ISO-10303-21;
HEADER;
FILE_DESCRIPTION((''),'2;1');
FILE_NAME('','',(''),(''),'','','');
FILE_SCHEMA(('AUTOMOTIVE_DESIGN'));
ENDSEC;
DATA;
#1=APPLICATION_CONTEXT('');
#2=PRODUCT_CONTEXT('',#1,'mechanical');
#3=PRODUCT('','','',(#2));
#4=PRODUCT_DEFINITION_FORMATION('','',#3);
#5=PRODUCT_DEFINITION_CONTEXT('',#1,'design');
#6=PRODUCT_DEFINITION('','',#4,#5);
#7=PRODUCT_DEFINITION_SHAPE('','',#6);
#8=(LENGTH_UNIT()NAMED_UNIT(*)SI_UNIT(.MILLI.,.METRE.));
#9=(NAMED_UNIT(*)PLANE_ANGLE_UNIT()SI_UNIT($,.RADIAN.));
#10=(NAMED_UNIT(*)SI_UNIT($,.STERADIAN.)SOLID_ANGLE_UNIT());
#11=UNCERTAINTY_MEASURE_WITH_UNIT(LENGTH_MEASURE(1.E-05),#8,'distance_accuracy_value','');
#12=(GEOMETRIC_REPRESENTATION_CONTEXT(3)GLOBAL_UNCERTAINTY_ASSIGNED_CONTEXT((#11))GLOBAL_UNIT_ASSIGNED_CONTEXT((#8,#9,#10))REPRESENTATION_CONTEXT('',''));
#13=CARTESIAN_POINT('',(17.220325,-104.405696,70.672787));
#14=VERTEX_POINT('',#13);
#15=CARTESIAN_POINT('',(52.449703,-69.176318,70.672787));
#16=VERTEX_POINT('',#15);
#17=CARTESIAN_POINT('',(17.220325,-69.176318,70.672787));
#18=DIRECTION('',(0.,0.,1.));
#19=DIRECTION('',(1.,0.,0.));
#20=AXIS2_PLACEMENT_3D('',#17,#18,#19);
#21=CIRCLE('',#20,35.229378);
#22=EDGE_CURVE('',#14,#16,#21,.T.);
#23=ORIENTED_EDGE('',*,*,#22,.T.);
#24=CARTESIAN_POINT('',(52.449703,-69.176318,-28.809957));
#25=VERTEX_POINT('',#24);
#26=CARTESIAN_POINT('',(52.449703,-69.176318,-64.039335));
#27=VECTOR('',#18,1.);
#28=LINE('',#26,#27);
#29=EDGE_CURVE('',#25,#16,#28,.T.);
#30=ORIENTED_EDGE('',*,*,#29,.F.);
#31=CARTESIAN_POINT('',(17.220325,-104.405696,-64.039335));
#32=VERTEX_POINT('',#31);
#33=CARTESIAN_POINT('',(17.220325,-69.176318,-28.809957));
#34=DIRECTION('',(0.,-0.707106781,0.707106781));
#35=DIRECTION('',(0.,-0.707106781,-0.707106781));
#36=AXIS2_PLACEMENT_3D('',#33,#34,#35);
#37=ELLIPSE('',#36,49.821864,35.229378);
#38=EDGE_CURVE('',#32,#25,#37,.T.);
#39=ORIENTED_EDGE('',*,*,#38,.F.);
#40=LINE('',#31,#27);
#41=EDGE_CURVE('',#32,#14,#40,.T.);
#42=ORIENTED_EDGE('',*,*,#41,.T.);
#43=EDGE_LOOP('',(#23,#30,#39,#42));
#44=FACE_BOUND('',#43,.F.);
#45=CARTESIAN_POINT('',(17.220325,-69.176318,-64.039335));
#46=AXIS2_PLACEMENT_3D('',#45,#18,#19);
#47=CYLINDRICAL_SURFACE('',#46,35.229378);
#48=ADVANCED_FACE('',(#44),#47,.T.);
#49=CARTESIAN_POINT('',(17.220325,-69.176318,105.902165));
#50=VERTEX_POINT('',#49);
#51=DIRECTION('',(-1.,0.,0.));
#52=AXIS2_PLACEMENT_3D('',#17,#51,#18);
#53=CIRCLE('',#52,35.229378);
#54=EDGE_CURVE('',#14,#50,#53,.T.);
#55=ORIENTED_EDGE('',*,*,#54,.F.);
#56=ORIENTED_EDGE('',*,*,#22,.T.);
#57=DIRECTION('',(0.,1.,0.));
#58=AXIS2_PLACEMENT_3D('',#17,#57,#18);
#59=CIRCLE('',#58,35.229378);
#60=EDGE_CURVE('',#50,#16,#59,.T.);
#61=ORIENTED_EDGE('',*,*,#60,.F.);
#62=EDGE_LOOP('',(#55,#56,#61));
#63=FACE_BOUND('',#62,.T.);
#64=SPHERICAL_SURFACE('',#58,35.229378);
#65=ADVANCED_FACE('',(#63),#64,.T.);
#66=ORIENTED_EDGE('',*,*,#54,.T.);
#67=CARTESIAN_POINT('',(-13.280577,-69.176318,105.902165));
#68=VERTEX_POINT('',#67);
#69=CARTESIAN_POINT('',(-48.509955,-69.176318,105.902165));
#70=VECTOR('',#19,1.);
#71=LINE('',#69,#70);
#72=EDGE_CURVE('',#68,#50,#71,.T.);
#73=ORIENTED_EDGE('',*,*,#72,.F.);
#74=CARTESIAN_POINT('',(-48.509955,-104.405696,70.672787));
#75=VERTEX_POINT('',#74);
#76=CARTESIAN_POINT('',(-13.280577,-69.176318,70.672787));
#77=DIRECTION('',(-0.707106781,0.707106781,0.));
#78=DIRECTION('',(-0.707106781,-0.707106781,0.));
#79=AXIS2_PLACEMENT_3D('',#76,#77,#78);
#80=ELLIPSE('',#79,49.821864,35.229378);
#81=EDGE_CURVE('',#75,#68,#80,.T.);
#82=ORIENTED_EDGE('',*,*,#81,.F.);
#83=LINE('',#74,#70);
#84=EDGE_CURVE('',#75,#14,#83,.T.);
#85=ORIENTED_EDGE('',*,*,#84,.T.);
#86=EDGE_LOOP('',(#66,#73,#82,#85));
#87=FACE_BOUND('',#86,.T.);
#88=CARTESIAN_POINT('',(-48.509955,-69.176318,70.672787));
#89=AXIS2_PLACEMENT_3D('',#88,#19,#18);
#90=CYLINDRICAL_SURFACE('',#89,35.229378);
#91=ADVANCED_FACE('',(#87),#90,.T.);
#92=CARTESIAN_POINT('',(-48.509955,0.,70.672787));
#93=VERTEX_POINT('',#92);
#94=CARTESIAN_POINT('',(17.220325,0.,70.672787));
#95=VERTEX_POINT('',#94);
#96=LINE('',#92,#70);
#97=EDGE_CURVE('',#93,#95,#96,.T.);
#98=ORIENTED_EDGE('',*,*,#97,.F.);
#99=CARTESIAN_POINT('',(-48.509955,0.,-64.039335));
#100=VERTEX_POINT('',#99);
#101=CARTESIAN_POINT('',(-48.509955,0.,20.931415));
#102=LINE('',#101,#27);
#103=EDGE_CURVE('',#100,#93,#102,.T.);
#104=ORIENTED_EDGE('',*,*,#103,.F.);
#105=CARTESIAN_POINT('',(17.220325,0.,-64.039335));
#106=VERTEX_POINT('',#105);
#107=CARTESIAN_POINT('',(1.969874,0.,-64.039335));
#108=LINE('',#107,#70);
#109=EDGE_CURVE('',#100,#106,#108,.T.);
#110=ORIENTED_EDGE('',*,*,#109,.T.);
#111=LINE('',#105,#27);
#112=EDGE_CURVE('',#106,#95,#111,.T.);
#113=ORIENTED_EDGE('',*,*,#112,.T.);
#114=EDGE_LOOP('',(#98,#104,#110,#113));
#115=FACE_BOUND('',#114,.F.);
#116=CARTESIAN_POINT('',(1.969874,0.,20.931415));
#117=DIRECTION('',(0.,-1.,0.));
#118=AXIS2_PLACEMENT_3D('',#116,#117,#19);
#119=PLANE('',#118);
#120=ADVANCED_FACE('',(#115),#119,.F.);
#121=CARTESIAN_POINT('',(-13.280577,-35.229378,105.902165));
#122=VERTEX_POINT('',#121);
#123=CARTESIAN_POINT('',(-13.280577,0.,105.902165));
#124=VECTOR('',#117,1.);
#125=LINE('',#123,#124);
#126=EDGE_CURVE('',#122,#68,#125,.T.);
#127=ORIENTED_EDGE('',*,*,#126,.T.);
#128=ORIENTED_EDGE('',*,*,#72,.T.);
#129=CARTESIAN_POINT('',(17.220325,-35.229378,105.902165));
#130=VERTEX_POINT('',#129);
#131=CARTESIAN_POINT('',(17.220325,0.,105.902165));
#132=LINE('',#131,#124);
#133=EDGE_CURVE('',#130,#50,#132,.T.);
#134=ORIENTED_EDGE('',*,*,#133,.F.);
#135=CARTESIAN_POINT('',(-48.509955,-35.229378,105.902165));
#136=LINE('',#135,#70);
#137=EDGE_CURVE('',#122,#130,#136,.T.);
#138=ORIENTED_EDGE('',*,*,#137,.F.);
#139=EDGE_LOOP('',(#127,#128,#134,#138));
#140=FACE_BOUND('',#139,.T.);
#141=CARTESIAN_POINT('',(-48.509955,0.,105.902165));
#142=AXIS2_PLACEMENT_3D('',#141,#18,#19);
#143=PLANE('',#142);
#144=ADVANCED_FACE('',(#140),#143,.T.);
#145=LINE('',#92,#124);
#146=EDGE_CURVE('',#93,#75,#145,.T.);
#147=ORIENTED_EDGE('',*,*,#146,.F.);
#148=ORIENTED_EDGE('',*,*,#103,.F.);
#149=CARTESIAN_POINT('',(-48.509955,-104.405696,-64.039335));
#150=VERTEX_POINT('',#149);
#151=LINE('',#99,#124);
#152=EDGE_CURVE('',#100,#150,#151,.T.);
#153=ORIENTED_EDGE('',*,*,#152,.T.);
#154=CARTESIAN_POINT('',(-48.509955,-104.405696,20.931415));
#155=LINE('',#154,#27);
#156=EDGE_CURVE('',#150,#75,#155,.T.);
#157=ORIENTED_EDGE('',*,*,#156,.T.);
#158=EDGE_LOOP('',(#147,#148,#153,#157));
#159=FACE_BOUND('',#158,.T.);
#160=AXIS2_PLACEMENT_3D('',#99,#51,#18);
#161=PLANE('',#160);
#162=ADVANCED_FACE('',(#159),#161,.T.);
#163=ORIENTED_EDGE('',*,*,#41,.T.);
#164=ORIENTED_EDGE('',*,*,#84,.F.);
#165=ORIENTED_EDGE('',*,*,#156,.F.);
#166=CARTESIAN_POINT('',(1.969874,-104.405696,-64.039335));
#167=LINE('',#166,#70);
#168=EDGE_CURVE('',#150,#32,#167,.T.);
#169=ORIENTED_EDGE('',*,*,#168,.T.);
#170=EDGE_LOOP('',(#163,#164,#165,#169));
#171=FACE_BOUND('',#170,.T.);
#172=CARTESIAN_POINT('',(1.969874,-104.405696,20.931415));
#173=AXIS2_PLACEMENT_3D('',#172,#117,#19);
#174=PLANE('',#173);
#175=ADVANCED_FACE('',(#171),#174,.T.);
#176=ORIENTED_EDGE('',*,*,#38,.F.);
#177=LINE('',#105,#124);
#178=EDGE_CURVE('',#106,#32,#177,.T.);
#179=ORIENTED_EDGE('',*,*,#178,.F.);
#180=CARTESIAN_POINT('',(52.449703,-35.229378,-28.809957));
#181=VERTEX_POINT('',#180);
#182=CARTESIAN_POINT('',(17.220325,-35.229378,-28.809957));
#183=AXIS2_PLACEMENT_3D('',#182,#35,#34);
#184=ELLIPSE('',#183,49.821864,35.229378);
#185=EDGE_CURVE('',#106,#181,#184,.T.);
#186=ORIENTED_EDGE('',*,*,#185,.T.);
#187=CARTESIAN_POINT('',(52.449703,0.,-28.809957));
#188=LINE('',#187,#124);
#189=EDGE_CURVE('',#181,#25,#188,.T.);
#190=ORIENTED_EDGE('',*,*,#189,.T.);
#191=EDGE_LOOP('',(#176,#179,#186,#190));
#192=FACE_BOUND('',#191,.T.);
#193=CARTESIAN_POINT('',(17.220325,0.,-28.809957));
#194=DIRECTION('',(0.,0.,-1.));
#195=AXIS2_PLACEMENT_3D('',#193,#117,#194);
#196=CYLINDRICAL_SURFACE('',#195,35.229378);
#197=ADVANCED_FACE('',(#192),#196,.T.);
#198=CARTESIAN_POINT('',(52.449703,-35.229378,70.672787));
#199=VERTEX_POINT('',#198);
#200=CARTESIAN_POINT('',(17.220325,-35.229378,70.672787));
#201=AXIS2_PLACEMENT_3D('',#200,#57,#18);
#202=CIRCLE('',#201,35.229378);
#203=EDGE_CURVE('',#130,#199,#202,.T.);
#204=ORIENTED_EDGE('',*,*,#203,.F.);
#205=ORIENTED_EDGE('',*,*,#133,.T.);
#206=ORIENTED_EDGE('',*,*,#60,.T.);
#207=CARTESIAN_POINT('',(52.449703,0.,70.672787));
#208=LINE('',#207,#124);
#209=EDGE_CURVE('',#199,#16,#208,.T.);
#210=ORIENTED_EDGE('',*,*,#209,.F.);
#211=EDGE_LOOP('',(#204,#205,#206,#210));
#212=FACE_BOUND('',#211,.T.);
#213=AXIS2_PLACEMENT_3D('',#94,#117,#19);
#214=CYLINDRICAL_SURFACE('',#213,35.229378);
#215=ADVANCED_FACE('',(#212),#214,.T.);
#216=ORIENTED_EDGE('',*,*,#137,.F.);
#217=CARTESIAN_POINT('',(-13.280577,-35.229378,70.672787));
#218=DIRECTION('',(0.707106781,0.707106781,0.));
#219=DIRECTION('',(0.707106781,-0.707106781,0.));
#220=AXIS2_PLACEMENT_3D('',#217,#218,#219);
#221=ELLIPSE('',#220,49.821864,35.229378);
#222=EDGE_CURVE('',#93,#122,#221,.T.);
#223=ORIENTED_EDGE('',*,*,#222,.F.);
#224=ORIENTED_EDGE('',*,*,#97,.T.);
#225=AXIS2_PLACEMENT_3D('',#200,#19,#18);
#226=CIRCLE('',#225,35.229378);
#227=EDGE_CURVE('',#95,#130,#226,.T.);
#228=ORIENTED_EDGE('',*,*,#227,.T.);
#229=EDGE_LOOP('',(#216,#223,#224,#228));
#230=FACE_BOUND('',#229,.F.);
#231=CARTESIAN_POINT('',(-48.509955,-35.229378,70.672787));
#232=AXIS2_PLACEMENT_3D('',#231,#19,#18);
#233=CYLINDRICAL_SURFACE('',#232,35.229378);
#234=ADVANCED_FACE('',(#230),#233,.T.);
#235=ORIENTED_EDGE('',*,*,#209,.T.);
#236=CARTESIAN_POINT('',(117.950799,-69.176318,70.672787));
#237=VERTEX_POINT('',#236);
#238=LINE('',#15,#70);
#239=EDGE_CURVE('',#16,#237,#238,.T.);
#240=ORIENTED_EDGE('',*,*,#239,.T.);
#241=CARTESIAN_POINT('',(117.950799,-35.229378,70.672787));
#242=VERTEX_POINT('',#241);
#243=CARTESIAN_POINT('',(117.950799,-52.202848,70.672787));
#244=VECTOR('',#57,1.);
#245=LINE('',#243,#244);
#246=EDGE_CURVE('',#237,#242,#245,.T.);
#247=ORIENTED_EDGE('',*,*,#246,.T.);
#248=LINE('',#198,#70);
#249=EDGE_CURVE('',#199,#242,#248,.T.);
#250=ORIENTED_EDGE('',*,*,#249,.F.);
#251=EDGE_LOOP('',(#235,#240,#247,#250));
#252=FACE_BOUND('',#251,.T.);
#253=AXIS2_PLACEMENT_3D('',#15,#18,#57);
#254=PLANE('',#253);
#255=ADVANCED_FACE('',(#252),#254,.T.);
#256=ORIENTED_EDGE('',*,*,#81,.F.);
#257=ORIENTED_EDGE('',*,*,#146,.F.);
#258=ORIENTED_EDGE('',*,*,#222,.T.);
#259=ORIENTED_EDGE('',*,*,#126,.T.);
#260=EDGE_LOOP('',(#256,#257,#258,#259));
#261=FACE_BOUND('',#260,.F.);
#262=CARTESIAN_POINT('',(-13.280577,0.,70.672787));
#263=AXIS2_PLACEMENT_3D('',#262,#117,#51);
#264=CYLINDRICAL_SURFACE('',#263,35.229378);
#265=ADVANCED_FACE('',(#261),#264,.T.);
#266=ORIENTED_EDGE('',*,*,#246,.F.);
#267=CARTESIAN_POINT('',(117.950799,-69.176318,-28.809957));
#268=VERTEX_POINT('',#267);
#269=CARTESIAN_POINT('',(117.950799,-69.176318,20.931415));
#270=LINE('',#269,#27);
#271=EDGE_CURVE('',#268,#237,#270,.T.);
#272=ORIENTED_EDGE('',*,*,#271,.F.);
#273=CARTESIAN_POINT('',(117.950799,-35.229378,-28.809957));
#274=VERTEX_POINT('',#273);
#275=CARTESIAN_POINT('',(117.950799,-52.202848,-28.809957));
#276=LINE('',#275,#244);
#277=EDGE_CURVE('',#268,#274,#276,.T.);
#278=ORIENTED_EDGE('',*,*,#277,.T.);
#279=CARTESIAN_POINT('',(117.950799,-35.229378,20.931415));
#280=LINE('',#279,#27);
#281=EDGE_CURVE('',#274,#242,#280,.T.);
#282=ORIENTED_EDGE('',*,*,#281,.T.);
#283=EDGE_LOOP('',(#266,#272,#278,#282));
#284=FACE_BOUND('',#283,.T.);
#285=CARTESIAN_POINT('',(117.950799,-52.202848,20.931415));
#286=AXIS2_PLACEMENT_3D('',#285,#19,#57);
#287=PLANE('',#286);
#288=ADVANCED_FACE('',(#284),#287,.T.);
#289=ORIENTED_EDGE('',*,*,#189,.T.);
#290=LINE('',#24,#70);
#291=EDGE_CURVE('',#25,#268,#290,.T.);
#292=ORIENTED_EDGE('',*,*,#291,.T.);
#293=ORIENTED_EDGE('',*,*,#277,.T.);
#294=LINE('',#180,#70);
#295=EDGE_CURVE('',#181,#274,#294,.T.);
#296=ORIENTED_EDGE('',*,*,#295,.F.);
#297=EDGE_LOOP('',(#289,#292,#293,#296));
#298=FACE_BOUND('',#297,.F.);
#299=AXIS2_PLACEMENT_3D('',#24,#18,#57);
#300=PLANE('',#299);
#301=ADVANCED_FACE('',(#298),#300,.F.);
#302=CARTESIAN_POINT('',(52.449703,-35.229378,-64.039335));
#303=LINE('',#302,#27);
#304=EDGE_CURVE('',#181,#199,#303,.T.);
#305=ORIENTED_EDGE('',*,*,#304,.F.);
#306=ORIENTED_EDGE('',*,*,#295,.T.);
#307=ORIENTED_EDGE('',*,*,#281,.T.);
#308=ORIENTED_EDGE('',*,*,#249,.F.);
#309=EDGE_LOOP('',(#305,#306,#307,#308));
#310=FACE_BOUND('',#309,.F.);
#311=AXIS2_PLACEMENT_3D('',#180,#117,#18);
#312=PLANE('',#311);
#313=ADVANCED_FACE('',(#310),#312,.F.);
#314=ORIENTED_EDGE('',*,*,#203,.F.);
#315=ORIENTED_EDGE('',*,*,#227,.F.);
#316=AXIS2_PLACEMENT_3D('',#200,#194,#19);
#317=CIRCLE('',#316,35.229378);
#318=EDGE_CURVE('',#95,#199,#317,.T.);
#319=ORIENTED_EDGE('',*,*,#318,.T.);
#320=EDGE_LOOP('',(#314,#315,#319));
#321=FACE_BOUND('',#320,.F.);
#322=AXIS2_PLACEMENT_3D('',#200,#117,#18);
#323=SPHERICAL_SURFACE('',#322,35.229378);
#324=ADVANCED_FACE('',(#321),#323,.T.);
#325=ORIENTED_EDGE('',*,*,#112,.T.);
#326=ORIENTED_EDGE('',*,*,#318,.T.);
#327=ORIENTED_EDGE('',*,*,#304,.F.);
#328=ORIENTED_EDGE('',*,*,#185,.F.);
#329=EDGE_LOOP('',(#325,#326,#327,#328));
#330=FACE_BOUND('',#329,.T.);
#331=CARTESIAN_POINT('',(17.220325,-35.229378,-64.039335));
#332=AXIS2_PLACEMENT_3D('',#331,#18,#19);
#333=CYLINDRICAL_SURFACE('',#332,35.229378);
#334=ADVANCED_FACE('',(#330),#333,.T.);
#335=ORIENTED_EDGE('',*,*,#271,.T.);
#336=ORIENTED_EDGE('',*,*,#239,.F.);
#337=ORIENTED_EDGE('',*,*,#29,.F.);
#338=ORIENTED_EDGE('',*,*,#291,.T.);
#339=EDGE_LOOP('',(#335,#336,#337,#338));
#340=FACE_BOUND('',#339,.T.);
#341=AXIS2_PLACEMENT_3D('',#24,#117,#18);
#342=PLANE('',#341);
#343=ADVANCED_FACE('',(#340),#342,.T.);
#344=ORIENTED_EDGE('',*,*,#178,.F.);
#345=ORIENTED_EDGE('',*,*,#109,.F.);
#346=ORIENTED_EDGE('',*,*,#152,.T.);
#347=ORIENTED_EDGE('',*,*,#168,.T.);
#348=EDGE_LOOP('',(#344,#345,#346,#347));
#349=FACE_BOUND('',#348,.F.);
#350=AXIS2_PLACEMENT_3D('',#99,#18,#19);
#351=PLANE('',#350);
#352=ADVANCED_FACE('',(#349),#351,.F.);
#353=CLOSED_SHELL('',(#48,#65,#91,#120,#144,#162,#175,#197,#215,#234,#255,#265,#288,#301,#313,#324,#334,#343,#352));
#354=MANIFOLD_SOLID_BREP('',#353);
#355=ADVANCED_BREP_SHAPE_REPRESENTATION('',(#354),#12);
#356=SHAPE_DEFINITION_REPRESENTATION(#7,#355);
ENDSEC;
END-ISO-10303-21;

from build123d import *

# Parameters (mm, degrees)
F1_W      = 100.959658
F1_H      = 169.9415
F2_DEPTH  = 104.405696
F3_R      = 35.229378
F2_FACE_W = 33.94694
F2_FACE_H = 99.482744
F4_DEPTH  = 65.501096


with BuildPart() as f2:
    # F1 (on face) → F2 (new body)
    with BuildSketch(Plane.XZ):
        with Locations((1.969874, 20.931415)):
            Rectangle(F1_W, F1_H)
    extrude(amount=F2_DEPTH)

    # F3
    f3_edges = [f2.edges().sort_by_distance(p)[0] for p in [
        (52.449703, -52.202848, 105.902165),
        (-48.509955, -52.202848, 105.902165),
        (1.969874, 0, 105.902165),
        (1.969874, -104.405696, 105.902165),
        (52.449703, -52.202848, -64.039335),
        (52.449703, 0, 20.931415),
        (52.449703, -104.405696, 20.931415),
    ]]
    fillet(f3_edges, radius=F3_R)

    # F2_face (on face) → F4 (join)
    with BuildSketch(Plane(origin=(52.449703, -52.202848, 20.931415), x_dir=(0, 1, 0), z_dir=(1, 0, 0))):
        Rectangle(F2_FACE_W, F2_FACE_H)
    extrude(amount=F4_DEPTH)


solid = f2.part
